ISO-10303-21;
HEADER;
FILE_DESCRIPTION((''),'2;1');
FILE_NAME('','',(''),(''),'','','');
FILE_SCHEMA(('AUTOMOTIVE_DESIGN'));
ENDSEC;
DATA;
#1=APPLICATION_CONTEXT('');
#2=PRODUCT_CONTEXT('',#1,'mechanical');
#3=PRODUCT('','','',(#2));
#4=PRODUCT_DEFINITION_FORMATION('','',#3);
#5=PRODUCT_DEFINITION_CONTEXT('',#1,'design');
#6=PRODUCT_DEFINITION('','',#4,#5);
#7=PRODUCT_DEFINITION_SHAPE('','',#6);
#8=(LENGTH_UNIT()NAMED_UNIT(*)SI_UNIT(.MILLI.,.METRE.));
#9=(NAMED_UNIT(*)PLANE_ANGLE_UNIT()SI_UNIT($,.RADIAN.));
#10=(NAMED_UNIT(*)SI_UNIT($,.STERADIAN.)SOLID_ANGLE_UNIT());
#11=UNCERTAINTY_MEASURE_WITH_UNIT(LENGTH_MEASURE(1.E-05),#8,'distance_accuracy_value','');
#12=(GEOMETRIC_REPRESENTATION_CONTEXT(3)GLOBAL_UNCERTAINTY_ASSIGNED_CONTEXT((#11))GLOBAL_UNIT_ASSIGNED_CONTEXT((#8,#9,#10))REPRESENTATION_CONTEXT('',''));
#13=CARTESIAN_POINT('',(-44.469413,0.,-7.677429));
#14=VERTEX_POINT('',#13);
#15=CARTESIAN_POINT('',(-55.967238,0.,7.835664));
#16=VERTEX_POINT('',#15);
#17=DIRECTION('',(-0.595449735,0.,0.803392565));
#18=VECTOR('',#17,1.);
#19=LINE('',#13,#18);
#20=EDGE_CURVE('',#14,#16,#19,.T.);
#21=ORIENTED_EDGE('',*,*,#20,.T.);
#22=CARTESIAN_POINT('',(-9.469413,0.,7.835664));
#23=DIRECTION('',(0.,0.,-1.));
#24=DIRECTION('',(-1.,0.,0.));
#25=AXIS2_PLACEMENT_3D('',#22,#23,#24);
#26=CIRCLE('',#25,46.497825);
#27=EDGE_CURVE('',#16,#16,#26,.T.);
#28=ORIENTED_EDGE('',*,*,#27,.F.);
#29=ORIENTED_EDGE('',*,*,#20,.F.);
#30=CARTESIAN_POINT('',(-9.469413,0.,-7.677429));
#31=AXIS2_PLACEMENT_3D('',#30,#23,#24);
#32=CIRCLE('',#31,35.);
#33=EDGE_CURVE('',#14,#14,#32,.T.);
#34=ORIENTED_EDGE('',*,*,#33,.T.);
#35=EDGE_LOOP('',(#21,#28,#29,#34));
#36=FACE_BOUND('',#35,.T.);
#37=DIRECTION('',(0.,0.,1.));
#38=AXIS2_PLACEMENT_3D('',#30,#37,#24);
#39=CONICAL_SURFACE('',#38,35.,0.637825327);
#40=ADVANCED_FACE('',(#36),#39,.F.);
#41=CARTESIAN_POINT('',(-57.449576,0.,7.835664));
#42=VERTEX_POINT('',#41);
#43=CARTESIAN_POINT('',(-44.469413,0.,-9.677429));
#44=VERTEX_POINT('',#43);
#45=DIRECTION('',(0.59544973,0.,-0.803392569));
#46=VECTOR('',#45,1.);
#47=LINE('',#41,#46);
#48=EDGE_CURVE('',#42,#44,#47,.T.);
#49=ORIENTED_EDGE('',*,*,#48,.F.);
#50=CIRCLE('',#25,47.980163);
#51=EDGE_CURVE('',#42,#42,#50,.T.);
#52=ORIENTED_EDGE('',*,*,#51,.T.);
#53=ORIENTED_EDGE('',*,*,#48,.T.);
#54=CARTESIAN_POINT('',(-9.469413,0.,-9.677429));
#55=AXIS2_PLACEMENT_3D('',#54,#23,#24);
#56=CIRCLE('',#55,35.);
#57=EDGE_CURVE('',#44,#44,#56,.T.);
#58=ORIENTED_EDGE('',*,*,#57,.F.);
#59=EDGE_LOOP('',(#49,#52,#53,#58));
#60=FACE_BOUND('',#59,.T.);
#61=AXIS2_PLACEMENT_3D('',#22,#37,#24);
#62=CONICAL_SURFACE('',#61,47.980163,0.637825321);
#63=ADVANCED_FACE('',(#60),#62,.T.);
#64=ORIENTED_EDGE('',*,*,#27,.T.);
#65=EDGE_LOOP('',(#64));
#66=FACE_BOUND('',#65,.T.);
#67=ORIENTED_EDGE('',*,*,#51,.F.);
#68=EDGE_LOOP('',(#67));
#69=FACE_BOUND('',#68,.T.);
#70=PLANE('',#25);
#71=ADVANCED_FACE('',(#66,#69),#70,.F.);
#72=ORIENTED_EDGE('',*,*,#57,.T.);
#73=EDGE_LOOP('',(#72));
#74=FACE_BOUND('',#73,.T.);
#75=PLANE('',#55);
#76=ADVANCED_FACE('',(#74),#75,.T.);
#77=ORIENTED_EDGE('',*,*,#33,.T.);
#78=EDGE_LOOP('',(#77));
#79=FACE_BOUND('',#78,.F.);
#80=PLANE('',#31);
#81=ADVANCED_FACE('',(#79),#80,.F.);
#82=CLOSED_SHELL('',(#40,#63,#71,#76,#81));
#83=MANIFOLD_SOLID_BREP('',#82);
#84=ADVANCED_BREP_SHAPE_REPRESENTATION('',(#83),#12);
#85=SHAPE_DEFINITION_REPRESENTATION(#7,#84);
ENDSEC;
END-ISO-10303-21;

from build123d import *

# Parameters (mm, degrees)
F0_W = 35
F0_H = 2


with BuildPart() as f1:
    # F0 (on Front) → F1 (revolve)
    with BuildSketch(Plane.XZ):
        Polygon((-44.469413, -9.677429), (-44.469413, -7.677429), (-55.967238, 7.835664), (-57.449576, 7.835664), align=None)
        with Locations((-26.969413, -8.677429)):
            Rectangle(F0_W, F0_H)
    revolve(axis=Axis((-9.469413, 0, -8.677429), (0, 0, -1)))


solid = f1.part
